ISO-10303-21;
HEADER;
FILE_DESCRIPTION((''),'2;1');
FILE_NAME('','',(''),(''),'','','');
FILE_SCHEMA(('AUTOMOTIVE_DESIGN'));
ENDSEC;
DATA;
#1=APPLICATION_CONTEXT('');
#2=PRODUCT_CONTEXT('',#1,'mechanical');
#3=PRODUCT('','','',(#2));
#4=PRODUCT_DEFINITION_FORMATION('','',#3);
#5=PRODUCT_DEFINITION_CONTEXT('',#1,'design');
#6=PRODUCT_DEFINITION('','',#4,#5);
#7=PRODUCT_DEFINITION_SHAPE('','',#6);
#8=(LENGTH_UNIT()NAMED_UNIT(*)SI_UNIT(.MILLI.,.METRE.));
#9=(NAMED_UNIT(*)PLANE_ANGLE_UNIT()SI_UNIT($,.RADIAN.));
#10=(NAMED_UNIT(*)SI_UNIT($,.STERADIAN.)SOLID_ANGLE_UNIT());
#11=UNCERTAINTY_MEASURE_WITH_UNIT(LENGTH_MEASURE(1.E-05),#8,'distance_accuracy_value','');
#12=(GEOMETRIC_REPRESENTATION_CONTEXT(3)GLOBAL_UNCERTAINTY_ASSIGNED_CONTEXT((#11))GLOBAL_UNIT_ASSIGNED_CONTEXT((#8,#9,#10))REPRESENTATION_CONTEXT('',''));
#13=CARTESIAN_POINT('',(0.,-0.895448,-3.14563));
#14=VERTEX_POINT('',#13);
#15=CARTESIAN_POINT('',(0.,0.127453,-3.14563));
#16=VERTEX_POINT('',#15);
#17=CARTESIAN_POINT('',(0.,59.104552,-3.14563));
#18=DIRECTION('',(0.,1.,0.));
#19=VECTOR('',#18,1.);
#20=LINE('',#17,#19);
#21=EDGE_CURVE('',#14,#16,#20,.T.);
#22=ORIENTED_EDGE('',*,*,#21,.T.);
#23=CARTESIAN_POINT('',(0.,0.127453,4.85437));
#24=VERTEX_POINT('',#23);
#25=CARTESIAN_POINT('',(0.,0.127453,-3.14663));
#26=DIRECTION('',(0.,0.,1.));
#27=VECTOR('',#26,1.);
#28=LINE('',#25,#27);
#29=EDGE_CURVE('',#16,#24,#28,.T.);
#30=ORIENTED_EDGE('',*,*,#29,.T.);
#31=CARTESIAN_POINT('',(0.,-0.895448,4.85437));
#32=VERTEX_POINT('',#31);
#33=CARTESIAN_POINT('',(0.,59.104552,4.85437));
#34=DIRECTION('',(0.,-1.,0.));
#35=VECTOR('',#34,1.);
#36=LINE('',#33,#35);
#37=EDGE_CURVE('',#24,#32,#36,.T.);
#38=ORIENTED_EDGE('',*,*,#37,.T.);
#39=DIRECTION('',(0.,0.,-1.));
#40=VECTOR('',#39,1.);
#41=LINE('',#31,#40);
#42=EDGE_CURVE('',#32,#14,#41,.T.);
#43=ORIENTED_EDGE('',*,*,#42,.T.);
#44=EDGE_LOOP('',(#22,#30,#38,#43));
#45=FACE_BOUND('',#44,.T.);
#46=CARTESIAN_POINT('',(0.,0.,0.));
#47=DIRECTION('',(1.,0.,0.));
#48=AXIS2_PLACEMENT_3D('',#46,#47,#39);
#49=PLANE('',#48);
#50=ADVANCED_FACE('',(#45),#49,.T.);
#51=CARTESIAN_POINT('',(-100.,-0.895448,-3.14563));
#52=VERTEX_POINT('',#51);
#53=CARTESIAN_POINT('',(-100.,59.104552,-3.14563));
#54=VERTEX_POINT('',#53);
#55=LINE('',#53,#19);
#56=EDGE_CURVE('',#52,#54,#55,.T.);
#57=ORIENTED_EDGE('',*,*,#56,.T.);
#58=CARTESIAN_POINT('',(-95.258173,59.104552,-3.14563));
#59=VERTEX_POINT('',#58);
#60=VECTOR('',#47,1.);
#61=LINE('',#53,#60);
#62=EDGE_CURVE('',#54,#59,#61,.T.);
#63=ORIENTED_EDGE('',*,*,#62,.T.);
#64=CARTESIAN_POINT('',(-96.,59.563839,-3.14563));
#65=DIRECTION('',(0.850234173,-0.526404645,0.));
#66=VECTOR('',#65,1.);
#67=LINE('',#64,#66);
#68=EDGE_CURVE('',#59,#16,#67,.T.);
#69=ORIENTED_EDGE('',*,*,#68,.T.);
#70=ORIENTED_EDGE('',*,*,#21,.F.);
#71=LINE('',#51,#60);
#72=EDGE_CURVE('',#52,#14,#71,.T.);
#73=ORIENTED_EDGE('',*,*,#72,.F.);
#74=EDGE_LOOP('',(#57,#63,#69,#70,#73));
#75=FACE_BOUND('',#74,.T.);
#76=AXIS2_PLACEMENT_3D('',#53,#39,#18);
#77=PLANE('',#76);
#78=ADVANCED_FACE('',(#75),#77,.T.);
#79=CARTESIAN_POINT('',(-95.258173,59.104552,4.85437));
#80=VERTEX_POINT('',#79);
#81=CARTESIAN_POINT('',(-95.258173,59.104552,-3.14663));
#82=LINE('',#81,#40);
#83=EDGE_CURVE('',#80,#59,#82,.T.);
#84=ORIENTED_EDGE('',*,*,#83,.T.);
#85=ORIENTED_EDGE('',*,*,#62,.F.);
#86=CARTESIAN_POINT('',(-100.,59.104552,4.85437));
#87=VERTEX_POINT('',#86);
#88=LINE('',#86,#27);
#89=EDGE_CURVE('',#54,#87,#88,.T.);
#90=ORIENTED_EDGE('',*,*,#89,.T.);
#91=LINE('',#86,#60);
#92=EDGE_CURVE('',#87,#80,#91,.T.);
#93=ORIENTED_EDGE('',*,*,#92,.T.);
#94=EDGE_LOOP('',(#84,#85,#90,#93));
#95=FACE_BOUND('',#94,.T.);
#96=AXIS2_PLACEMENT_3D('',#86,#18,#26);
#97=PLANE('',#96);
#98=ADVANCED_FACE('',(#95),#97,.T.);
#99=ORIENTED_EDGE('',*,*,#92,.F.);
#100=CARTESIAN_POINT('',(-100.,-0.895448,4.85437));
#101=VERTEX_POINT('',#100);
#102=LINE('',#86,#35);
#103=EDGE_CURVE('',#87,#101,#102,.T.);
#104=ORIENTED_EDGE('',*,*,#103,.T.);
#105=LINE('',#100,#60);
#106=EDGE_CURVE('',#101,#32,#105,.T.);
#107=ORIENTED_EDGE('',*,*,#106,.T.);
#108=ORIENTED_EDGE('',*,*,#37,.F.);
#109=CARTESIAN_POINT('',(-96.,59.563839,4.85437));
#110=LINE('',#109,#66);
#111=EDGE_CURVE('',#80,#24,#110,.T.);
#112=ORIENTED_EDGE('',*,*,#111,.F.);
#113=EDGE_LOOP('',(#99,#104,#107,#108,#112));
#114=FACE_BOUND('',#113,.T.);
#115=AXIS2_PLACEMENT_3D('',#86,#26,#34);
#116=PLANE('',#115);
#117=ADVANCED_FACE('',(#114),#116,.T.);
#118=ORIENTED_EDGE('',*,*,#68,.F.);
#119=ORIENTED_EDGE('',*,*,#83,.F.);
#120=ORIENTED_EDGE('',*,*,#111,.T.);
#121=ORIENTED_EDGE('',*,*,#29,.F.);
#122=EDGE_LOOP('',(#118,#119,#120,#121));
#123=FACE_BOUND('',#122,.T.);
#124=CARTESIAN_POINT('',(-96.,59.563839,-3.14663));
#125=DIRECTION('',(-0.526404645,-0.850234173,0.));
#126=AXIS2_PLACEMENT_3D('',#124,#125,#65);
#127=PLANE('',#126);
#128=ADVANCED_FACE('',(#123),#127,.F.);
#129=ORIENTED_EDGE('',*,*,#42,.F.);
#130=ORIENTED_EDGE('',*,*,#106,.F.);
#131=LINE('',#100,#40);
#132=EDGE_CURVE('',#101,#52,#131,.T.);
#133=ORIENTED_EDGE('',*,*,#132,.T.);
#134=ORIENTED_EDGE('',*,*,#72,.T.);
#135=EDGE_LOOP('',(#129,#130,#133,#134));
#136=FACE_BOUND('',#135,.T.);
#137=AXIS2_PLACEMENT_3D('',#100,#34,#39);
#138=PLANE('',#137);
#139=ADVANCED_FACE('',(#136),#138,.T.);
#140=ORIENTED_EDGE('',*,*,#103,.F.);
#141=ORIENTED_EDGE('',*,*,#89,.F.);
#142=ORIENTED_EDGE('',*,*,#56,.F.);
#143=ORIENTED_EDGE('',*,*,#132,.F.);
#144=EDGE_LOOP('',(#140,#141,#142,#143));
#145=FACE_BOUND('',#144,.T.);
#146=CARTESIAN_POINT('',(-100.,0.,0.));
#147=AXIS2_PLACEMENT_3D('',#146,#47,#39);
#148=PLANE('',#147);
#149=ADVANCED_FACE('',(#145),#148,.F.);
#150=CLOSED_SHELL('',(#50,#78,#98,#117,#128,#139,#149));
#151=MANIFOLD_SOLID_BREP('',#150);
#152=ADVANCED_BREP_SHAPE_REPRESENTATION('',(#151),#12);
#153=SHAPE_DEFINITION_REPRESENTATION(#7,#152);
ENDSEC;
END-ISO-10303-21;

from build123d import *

# Parameters (mm, degrees)
ESQUISSE1_W             = 8
ESQUISSE1_H             = 60
BOSS_EXTRU_1_DEPTH      = 100
ENL_V_MAT_EXTRU_1_REACH = 10


with BuildPart() as part:
    # Esquisse1 → Boss.-Extru.1 (new body)
    with BuildSketch(Plane(origin=(0, 0, 0), x_dir=(0, 0, -1), z_dir=(1, 0, 0))):
        with Locations((-0.854369973, 29.104551848)):
            Rectangle(ESQUISSE1_W, ESQUISSE1_H)
    extrude(amount=-BOSS_EXTRU_1_DEPTH)

    # Esquisse2 → Enlèv. mat.-Extru.1 (cut, up to next)
    with BuildSketch(Plane.XY.offset(4.854369973), mode=Mode.PRIVATE) as enl_v_mat_extru_1_sk1:
        Polygon((-96, 59.563838708), (1.070476381, 60.732011114), (2.184337253, -1.224933167), align=None)
    enl_v_mat_extru_1_tool1 = extrude(enl_v_mat_extru_1_sk1.sketch, amount=-ENL_V_MAT_EXTRU_1_REACH, mode=Mode.PRIVATE) & part.part
    add(enl_v_mat_extru_1_tool1.solids().sort_by_distance((-30.915062, 39.690306, 4.85437))[0], mode=Mode.SUBTRACT)


solid = part.part
